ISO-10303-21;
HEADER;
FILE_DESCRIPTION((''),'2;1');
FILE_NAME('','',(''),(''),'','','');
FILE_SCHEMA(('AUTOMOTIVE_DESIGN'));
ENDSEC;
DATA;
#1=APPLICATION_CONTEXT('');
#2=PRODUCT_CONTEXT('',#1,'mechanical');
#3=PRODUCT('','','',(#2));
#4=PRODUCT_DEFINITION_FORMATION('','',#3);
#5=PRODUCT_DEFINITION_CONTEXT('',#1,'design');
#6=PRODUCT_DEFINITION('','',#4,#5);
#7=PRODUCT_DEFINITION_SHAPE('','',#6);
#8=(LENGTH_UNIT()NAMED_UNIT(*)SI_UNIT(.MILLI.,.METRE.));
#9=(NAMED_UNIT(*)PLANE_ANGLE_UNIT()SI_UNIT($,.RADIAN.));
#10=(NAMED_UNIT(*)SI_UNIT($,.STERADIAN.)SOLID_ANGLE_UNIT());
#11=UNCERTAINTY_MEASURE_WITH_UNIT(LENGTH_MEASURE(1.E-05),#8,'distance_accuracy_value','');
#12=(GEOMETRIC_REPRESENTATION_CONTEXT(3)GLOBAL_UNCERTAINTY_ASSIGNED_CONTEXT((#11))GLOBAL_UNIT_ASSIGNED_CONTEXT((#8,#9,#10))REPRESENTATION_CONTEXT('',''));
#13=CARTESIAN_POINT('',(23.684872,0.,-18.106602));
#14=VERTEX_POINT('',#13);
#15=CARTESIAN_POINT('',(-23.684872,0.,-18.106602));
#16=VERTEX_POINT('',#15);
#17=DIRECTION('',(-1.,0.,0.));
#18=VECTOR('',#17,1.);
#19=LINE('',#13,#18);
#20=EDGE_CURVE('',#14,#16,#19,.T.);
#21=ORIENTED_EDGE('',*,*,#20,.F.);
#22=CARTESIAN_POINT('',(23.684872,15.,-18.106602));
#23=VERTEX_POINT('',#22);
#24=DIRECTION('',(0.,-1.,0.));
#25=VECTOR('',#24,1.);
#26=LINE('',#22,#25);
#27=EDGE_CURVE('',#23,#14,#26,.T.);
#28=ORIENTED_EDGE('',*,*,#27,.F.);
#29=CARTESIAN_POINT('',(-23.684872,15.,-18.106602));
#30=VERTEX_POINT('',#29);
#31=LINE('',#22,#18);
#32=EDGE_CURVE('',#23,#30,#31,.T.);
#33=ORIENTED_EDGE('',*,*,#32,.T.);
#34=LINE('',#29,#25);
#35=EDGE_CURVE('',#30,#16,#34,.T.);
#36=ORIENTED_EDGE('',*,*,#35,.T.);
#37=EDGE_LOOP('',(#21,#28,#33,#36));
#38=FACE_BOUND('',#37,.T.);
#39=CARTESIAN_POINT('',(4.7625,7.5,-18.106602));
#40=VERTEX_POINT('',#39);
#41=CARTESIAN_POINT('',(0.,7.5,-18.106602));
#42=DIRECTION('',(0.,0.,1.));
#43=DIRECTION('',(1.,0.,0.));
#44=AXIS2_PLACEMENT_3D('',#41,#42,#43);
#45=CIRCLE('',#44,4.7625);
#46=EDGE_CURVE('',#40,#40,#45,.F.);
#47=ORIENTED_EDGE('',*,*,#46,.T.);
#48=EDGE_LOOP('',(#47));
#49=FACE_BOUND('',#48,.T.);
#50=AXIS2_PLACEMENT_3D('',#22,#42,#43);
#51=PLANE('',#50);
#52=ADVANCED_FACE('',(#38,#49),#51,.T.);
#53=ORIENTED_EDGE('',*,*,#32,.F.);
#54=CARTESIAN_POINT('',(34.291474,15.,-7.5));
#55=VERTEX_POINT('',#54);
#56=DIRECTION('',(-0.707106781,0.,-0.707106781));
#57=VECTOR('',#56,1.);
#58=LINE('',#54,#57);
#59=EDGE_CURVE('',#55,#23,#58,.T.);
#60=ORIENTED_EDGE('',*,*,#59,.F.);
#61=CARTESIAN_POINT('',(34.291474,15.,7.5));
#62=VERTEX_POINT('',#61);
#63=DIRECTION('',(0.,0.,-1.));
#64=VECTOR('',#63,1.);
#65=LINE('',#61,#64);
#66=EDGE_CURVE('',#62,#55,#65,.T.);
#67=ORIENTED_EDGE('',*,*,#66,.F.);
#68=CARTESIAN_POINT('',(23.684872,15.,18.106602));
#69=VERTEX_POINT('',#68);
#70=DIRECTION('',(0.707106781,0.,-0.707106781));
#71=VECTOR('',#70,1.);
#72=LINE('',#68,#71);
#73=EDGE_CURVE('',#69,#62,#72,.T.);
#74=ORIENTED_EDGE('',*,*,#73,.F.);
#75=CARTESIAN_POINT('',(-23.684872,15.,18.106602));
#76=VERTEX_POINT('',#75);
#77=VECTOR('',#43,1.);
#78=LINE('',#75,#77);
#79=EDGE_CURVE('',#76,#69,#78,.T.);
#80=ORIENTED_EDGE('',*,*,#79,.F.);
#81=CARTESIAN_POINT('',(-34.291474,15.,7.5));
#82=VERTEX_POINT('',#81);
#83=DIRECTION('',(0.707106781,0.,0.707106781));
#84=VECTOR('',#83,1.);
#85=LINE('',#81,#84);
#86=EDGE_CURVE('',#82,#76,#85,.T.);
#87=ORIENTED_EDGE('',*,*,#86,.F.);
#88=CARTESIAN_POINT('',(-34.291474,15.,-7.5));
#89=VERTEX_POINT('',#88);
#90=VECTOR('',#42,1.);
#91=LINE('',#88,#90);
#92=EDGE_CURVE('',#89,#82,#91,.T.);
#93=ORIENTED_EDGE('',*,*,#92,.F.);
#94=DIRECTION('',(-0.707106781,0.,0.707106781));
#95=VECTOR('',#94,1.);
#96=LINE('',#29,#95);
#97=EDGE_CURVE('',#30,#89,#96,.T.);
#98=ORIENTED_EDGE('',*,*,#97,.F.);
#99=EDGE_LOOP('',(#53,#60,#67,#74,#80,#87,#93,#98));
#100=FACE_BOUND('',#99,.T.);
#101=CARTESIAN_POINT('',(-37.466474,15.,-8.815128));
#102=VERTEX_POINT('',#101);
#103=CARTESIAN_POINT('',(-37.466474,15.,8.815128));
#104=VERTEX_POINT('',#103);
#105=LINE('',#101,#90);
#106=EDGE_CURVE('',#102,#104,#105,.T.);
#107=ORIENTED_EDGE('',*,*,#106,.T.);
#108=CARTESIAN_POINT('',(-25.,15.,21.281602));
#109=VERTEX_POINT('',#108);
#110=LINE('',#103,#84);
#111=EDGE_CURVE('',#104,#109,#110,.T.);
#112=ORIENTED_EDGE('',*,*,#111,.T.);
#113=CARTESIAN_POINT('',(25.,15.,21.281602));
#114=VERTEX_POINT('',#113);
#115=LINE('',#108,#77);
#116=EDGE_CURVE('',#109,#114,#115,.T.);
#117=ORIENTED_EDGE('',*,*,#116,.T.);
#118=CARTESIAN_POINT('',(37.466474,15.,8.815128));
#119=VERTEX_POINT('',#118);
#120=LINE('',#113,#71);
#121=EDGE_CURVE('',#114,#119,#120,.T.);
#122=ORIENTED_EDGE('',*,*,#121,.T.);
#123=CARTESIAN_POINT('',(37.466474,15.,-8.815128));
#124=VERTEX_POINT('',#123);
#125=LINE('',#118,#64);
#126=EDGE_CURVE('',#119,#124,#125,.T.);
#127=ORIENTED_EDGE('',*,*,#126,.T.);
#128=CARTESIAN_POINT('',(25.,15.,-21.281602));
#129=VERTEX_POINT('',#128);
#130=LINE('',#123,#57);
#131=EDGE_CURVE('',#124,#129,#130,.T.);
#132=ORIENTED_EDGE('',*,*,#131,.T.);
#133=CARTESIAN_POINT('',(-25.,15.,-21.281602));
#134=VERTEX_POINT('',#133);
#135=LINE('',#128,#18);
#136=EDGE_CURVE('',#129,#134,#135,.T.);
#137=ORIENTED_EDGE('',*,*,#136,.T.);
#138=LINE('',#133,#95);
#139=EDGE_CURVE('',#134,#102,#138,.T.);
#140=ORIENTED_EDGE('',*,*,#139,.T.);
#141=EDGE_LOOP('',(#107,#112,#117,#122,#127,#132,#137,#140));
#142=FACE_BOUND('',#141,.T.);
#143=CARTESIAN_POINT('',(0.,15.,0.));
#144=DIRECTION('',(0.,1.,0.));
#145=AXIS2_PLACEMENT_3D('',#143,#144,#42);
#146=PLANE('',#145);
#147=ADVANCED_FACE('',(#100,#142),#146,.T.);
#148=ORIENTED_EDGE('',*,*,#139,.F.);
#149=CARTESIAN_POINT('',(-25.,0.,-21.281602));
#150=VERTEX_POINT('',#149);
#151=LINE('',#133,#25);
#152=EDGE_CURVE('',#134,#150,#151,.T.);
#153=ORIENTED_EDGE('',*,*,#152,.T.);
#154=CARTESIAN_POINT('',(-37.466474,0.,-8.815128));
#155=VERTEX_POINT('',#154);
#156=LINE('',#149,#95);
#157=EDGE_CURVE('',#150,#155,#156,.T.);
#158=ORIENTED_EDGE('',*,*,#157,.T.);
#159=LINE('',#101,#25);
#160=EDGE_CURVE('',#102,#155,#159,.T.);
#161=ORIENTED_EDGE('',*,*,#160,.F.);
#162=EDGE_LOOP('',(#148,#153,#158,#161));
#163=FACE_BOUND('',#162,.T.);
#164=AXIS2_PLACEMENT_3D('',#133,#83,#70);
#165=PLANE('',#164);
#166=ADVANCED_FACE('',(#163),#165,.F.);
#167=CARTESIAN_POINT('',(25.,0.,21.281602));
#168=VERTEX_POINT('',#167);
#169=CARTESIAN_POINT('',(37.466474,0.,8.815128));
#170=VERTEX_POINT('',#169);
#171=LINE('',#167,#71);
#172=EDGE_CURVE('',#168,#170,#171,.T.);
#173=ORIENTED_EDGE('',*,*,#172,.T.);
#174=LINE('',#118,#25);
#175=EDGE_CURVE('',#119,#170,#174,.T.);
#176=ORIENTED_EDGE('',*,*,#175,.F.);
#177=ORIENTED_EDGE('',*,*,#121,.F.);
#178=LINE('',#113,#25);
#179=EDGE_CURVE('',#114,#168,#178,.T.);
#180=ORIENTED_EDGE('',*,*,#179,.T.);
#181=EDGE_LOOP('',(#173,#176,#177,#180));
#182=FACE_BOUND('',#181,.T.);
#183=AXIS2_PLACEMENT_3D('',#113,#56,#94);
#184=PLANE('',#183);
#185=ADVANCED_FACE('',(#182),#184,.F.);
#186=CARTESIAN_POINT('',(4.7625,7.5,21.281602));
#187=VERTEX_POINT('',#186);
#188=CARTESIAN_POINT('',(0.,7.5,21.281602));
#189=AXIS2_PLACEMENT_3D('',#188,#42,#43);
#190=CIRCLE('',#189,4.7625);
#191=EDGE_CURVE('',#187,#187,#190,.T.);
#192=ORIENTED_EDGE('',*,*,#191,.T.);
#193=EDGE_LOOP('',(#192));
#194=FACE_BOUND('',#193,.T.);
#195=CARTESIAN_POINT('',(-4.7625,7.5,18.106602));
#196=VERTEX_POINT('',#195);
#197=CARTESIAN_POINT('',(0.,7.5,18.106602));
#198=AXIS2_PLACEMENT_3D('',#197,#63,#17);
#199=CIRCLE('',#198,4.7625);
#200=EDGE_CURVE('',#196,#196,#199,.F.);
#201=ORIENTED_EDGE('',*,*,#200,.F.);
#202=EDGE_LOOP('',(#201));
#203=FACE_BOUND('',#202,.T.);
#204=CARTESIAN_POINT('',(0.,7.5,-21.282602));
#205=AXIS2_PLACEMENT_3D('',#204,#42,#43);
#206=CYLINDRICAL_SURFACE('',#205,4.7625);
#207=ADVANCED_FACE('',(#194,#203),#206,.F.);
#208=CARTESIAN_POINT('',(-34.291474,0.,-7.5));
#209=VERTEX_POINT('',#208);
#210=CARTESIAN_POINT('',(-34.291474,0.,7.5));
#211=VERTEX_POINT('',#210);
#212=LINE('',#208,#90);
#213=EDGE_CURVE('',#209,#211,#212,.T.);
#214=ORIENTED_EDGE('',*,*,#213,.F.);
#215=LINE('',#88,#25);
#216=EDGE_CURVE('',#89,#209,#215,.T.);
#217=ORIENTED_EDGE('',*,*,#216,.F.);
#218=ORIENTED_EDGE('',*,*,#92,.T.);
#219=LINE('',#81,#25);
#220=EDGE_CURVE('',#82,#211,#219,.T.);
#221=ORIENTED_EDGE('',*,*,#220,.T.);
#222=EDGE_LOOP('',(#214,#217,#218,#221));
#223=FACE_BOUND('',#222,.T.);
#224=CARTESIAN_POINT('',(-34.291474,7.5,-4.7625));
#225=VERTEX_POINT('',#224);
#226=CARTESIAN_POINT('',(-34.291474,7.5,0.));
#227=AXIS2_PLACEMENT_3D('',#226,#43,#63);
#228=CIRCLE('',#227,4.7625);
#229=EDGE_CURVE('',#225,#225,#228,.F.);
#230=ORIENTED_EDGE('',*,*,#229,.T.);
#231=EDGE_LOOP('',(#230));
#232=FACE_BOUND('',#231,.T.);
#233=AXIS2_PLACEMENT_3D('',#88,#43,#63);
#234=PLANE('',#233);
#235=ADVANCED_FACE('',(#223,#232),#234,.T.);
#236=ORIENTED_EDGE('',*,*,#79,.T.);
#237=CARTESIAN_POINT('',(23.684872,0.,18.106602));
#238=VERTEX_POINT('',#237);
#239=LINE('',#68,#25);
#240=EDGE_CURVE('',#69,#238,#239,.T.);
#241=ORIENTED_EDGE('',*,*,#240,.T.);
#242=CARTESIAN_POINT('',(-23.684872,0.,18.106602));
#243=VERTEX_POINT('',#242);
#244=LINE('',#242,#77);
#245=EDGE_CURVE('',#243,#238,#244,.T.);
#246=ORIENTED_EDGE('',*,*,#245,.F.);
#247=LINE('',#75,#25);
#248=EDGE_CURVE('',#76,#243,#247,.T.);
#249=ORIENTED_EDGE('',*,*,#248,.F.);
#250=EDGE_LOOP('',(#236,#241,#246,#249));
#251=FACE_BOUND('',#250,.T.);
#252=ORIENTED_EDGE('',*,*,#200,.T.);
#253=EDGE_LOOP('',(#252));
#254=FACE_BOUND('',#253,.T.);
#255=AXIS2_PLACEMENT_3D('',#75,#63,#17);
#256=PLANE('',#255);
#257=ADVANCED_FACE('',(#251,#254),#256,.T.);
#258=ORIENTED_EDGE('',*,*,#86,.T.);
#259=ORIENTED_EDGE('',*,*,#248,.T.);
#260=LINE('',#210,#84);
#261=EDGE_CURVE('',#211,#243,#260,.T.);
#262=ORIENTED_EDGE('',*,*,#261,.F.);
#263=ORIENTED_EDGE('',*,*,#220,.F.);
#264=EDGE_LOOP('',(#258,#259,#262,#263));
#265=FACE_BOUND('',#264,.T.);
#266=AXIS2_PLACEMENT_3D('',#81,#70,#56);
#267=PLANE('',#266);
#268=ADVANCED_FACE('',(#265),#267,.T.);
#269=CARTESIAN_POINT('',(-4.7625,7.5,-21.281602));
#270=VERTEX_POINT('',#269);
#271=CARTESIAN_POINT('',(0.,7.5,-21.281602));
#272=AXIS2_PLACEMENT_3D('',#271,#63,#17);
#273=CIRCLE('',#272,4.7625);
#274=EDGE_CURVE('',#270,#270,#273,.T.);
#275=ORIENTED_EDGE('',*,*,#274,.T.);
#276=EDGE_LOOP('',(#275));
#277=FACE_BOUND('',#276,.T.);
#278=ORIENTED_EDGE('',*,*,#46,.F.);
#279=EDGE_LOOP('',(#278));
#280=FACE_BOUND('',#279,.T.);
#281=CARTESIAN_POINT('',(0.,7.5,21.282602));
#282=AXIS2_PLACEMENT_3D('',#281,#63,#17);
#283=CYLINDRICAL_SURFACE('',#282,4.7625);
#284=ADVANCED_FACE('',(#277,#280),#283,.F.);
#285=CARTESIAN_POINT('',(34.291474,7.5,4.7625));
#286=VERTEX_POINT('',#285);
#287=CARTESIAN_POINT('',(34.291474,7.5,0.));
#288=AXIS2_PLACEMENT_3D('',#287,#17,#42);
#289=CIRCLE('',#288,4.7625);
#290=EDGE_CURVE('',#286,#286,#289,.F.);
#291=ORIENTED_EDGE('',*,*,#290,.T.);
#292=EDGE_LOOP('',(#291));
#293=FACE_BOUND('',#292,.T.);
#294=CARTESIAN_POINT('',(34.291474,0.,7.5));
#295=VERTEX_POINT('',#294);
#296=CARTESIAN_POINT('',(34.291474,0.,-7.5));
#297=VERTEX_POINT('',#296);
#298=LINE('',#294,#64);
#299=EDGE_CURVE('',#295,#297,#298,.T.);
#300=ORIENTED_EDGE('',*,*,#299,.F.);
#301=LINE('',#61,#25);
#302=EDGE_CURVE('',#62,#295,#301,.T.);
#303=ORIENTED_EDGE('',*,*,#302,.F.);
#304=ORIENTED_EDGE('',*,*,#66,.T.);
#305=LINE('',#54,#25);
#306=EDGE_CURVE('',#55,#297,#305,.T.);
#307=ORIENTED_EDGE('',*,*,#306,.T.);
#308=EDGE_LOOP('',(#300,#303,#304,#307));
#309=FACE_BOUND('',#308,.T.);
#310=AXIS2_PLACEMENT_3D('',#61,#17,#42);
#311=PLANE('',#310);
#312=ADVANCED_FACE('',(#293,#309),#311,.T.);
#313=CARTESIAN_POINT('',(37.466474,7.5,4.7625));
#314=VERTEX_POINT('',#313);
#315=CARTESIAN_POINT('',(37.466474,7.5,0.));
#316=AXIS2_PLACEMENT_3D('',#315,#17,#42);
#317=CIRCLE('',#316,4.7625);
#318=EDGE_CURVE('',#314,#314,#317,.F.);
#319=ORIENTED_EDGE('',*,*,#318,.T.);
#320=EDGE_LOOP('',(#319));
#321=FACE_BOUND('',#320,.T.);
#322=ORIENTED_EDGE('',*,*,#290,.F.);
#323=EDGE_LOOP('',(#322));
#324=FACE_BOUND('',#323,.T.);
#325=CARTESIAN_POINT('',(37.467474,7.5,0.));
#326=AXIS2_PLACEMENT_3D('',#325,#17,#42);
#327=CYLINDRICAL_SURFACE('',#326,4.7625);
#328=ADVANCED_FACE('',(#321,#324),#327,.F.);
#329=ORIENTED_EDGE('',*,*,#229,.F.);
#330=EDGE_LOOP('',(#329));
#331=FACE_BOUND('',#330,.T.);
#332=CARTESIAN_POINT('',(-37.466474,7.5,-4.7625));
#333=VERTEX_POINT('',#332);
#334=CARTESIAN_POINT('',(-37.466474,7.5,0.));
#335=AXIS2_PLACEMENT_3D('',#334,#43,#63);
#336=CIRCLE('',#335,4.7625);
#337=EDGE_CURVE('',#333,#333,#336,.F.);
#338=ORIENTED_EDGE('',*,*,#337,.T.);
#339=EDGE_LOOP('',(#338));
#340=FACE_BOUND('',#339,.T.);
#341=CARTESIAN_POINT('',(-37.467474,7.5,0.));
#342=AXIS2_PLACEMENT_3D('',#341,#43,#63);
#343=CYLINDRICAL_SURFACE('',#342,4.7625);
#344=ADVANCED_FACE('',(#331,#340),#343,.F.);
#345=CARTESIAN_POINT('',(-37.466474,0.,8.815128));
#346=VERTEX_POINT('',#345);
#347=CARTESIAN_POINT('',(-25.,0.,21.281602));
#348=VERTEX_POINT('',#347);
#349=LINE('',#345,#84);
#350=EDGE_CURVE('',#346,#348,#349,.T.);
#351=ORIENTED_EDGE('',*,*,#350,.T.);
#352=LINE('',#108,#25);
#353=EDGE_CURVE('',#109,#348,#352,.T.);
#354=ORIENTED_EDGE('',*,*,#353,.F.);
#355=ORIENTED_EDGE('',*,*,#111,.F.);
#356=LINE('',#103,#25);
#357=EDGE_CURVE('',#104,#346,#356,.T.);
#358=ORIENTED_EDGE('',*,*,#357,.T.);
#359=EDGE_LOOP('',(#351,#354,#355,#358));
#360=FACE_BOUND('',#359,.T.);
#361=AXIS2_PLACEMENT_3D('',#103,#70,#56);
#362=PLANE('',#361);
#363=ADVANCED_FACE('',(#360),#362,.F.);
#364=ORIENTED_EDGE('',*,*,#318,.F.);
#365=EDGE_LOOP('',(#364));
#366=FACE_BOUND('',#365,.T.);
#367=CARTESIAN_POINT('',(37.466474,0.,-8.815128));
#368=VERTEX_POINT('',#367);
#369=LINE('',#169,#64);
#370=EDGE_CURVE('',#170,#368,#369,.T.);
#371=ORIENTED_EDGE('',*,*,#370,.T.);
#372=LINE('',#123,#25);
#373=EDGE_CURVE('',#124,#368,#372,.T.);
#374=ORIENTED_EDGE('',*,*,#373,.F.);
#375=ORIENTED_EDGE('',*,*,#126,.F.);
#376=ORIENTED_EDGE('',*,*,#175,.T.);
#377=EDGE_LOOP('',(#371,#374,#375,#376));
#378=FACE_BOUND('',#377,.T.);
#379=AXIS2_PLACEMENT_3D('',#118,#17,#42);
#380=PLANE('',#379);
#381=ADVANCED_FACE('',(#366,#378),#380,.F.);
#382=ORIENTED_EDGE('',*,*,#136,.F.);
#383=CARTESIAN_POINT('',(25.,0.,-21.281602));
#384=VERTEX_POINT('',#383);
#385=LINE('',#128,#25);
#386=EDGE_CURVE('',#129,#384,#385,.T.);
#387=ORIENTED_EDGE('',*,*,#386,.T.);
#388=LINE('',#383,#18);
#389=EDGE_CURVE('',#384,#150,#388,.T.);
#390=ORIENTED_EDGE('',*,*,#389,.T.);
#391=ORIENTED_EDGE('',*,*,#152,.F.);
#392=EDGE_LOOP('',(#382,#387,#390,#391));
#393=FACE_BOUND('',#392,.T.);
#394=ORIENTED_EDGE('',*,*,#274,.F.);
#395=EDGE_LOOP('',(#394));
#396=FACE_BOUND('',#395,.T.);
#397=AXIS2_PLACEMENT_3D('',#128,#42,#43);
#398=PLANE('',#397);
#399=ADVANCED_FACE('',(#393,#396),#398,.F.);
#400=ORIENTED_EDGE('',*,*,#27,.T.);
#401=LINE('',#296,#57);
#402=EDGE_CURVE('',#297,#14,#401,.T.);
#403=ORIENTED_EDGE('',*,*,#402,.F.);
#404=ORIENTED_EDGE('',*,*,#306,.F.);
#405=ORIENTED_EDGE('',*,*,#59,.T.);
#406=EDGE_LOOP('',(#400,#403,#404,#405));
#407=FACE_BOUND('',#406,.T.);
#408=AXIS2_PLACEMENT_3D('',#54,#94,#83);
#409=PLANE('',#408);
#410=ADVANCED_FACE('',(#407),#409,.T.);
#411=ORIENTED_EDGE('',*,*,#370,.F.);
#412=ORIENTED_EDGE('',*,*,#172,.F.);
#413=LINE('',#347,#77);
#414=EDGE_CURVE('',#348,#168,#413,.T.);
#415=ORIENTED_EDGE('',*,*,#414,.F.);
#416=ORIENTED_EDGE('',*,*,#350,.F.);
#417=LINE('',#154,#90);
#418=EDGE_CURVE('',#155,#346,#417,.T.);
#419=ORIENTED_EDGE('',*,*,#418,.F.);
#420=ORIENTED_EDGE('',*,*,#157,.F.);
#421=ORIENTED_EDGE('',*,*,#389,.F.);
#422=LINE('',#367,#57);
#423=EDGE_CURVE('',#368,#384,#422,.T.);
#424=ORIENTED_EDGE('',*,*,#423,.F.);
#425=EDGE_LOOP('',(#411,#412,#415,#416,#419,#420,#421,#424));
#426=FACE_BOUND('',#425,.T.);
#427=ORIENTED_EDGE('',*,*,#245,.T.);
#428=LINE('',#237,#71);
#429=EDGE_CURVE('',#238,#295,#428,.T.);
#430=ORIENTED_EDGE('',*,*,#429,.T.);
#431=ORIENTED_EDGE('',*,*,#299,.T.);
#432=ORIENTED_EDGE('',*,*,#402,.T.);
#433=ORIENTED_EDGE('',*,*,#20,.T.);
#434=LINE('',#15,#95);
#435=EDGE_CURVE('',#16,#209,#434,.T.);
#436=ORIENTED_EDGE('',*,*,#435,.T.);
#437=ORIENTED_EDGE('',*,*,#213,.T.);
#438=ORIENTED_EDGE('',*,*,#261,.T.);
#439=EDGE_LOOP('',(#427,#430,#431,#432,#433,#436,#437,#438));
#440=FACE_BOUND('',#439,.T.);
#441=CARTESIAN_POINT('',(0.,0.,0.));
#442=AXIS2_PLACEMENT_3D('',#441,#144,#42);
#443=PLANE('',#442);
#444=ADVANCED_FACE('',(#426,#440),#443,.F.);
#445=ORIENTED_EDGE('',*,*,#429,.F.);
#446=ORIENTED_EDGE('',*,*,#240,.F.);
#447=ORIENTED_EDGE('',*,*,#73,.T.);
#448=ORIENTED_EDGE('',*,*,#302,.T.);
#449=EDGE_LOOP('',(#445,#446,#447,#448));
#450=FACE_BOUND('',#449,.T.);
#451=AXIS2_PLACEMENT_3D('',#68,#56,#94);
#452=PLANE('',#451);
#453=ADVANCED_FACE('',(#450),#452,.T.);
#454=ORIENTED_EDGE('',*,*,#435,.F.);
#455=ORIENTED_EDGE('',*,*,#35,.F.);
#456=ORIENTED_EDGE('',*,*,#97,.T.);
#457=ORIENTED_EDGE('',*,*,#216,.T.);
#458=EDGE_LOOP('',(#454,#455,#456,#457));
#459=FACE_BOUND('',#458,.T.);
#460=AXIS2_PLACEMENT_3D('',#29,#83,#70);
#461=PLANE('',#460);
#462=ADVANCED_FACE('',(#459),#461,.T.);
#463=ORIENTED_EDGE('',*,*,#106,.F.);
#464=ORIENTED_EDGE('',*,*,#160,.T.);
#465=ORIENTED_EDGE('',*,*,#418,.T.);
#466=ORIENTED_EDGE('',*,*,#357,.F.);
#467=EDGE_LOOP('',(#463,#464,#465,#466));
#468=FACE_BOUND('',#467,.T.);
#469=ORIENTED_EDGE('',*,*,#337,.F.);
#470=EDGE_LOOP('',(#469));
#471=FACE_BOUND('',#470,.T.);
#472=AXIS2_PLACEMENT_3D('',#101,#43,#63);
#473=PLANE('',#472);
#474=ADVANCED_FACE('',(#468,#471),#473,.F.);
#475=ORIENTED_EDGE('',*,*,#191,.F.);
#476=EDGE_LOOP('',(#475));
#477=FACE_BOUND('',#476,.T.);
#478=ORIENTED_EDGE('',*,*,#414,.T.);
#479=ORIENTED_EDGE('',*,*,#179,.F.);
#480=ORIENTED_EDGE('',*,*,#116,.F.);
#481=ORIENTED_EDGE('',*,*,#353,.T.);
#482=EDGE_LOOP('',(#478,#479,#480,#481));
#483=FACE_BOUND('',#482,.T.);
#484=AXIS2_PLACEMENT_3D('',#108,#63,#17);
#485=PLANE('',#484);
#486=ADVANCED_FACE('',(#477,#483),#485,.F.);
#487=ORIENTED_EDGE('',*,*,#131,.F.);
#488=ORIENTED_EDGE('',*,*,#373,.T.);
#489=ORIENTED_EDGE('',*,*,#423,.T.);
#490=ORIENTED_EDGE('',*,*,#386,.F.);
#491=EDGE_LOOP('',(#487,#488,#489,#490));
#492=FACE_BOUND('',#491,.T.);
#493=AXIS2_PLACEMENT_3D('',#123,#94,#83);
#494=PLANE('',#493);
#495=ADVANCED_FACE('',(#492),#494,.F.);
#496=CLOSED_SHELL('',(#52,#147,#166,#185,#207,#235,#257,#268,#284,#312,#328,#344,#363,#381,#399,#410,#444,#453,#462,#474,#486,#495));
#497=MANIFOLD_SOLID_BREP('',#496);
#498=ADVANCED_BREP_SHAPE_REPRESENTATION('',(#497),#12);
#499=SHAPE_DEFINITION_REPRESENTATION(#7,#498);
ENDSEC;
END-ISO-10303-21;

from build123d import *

# Parameters (mm, degrees)
BOSS_EXTRUDE2_DEPTH = 15
CUT_EXTRUDE2_REACH  = 60.655
SKETCH4_R           = 4.7625
CIRPATTERN2_COUNT   = 4


with BuildPart() as part:
    # Sketch3 → Boss-Extrude2 (new body)
    with BuildSketch(Plane(origin=(0, 0, 0), x_dir=(1, 0, 0), z_dir=(0, 1, 0))):
        Polygon((-25, -21.281601718), (25, -21.281601718), (37.466473657, -8.815128061), (37.466473657, 8.815128061), (25, 21.281601718), (-25, 21.281601718), (-37.466473657, 8.815128061), (-37.466473657, -8.815128061), align=None)
        Polygon((-34.291473657, -7.5), (-23.684871939, -18.106601718), (23.684871939, -18.106601718), (34.291473657, -7.5), (34.291473657, 7.5), (23.684871939, 18.106601718), (-23.684871939, 18.106601718), (-34.291473657, 7.5), align=None, mode=Mode.SUBTRACT)
    extrude(amount=BOSS_EXTRUDE2_DEPTH)

    # Sketch4 → Cut-Extrude2 (cut, up to next)
    with BuildSketch(Plane.XY.offset(21.281601718), mode=Mode.PRIVATE) as cut_extrude2_sk1:
        with Locations((0, 7.5)):
            Circle(SKETCH4_R)
    cut_extrude2_tool1 = extrude(cut_extrude2_sk1.sketch, amount=-CUT_EXTRUDE2_REACH, mode=Mode.PRIVATE) & part.part
    cut_extrude2 = cut_extrude2_tool1.solids().sort_by_distance((0, 7.5, 21.281602))[0]
    add(cut_extrude2, mode=Mode.SUBTRACT)

    # CirPattern2: Cut-Extrude2; each copy of Cut-Extrude2 runs up to whatever stops it at its own place
    cirpattern2_before = part.part  # the part as the pattern finds it: every copy runs up to it
    cirpattern2_cut_extrude2_long = extrude(cut_extrude2_sk1.sketch, amount=-CUT_EXTRUDE2_REACH, mode=Mode.PRIVATE)
    cirpattern2_cut_extrude2_tool1 = cirpattern2_cut_extrude2_long.rotate(Axis((0, 0, 0), (0, 1, 0)), 1 * 360 / CIRPATTERN2_COUNT) & cirpattern2_before
    add(cirpattern2_cut_extrude2_tool1.solids().sort_by_distance((21.281602, 7.5, 0))[0], mode=Mode.SUBTRACT)
    cirpattern2_cut_extrude2_tool2 = cirpattern2_cut_extrude2_long.rotate(Axis((0, 0, 0), (0, 1, 0)), 2 * 360 / CIRPATTERN2_COUNT) & cirpattern2_before
    add(cirpattern2_cut_extrude2_tool2.solids().sort_by_distance((0, 7.5, -21.281602))[0], mode=Mode.SUBTRACT)
    cirpattern2_cut_extrude2_tool3 = cirpattern2_cut_extrude2_long.rotate(Axis((0, 0, 0), (0, 1, 0)), 3 * 360 / CIRPATTERN2_COUNT) & cirpattern2_before
    add(cirpattern2_cut_extrude2_tool3.solids().sort_by_distance((-21.281602, 7.5, 0))[0], mode=Mode.SUBTRACT)


solid = part.part
